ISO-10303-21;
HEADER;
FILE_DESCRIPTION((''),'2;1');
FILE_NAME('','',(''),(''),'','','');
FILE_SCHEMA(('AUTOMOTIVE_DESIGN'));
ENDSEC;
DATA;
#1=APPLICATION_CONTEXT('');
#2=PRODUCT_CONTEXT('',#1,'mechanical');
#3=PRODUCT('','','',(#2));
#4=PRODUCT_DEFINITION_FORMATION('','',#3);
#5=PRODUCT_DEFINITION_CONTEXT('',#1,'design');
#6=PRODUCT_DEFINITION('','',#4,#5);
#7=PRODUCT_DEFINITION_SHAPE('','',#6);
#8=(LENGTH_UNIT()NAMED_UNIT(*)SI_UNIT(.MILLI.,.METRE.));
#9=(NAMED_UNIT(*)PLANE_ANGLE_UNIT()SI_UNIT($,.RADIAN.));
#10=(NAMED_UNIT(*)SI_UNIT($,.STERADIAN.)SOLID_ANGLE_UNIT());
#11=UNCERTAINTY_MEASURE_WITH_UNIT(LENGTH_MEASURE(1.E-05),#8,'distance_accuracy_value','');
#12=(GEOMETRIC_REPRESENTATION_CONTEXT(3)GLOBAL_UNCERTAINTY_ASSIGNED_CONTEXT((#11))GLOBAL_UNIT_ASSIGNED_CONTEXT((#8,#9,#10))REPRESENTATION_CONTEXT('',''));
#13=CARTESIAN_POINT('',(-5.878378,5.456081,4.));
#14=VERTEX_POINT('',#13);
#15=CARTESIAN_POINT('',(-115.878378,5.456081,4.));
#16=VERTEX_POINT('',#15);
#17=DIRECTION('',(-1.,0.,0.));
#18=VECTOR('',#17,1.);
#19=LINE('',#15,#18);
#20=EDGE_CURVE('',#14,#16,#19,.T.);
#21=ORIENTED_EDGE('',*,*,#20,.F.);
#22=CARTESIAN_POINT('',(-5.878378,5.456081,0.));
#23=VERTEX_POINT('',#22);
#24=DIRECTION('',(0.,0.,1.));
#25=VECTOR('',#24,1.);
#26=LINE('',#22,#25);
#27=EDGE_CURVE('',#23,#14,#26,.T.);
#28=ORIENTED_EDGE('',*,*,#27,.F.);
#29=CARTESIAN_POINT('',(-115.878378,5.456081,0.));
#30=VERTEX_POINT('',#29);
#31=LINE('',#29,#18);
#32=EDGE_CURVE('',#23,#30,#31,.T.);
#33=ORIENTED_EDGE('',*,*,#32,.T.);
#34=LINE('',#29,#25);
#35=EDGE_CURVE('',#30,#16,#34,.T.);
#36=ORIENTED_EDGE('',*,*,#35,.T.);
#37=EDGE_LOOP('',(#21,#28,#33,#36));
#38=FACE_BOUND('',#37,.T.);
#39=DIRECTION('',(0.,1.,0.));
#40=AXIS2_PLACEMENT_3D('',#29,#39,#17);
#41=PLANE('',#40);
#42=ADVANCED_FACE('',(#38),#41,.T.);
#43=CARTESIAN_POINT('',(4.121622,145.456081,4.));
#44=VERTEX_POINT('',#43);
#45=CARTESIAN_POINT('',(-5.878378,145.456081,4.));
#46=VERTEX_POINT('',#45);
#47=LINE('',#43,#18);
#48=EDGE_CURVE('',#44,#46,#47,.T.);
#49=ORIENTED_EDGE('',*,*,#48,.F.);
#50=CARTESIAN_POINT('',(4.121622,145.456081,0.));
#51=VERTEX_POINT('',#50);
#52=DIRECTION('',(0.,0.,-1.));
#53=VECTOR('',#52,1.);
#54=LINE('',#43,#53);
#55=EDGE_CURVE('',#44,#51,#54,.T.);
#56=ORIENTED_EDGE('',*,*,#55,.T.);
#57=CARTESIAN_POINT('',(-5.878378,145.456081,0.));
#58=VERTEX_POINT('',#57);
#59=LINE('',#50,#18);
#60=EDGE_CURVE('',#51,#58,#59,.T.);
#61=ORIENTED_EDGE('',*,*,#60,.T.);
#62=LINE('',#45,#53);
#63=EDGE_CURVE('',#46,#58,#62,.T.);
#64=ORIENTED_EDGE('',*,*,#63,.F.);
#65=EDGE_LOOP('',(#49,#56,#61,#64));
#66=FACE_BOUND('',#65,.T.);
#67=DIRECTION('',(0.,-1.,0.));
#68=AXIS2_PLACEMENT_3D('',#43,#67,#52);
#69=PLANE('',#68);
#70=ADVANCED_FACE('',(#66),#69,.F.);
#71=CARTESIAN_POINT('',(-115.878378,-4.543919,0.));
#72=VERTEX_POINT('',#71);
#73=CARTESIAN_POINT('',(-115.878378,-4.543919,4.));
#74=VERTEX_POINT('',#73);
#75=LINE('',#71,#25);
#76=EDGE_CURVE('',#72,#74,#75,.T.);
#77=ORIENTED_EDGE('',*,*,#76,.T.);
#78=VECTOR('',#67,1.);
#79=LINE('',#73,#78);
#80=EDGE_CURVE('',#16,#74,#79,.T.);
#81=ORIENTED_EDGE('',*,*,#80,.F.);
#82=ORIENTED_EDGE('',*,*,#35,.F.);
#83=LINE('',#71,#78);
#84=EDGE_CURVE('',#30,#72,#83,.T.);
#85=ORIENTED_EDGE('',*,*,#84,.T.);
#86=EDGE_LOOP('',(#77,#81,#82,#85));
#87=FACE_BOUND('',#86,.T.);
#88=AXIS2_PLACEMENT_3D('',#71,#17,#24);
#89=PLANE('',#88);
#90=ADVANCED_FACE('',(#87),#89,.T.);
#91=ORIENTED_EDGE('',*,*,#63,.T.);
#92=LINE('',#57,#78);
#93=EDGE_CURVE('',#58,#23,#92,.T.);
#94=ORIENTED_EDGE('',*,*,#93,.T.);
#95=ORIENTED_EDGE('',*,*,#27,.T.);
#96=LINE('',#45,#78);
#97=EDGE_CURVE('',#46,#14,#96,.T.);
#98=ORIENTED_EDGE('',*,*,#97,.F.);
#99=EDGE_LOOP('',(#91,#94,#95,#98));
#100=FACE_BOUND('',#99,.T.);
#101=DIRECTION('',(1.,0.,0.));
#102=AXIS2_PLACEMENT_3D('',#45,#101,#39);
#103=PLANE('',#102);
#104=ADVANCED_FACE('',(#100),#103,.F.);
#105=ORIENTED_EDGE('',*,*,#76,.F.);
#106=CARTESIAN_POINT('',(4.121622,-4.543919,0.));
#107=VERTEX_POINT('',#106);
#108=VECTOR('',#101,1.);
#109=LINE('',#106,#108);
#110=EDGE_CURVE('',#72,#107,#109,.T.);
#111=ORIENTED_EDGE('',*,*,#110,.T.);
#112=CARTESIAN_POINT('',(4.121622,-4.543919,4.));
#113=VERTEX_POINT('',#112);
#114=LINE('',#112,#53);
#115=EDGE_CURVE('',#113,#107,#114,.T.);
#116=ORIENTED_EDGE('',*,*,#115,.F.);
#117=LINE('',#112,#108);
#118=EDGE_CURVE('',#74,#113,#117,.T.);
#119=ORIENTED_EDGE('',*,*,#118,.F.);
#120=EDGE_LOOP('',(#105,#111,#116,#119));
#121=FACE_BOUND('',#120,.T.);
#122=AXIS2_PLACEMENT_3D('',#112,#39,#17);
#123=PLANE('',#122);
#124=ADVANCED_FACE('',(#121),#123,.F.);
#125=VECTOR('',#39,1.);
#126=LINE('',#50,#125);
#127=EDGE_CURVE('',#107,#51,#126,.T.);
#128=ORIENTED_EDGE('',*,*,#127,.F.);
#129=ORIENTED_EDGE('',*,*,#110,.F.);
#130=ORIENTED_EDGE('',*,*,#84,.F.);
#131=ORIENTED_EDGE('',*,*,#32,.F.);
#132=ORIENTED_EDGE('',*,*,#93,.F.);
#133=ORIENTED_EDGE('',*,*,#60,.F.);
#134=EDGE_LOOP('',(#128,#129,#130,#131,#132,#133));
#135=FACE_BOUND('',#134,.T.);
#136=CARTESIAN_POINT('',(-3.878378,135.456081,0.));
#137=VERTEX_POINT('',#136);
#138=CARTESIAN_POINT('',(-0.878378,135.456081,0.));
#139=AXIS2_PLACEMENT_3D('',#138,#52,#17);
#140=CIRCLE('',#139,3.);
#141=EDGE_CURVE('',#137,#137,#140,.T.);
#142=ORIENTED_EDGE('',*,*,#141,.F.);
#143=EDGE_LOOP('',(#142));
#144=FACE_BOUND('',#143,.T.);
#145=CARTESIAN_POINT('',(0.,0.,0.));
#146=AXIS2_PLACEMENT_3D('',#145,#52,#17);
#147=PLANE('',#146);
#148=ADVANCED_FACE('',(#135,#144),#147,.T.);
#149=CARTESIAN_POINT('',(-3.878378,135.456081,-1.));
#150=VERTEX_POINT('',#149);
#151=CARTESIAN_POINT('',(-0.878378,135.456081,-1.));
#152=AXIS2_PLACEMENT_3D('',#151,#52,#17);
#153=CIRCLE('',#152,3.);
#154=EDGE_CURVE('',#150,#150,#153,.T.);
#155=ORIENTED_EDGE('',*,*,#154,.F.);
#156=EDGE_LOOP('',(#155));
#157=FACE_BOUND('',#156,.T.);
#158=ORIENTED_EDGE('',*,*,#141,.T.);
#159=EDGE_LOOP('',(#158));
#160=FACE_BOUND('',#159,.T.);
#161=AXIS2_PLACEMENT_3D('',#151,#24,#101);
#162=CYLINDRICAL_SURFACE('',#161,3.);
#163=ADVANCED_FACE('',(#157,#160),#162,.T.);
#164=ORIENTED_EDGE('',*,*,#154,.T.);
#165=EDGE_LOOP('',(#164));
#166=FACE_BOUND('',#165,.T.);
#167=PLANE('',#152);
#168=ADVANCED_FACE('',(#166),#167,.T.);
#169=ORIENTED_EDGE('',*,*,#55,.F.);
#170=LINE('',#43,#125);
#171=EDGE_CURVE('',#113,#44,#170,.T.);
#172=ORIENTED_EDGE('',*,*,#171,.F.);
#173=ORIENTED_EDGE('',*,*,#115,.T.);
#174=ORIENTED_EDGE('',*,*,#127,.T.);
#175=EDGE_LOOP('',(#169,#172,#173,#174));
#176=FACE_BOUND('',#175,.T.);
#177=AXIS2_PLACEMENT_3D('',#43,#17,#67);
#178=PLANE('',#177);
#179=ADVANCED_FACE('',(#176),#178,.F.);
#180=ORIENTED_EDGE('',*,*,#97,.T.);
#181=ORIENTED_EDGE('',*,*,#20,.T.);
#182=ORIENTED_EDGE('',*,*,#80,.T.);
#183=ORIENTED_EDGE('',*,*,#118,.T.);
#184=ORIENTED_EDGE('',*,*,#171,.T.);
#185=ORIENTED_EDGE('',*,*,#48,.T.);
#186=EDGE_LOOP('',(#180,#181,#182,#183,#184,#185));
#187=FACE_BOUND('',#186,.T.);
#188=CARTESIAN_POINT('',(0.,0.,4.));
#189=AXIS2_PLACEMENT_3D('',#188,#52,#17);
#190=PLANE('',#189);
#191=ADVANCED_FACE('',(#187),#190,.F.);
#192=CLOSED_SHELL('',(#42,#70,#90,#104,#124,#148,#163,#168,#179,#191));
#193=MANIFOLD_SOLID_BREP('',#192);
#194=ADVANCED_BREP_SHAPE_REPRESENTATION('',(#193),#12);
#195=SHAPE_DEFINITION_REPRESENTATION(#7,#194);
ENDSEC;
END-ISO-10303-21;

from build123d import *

# Parameters (mm, degrees)
SKETCH_1_W      = 10
SKETCH_1_H      = 150
EXTRUDE_1_DEPTH = 4
SKETCH_2_W      = 110
SKETCH_2_H      = 10
EXTRUDE_2_DEPTH = 4
SKETCH_3_R      = 3
EXTRUDE_3_DEPTH = 1


with BuildPart() as part:
    # 草图1 → 凸台-拉伸1 (new body)
    with BuildSketch(Plane.XY):
        with Locations((-0.878378378, 70.456081081)):
            Rectangle(SKETCH_1_W, SKETCH_1_H)
    extrude(amount=EXTRUDE_1_DEPTH)

    # 草图2 → 凸台-拉伸2 (add)
    with BuildSketch(Plane.XY.offset(4)):
        with Locations((-60.878378378, 0.456081081)):
            Rectangle(SKETCH_2_W, SKETCH_2_H)
    extrude(amount=-EXTRUDE_2_DEPTH)

    # 草图3 → 凸台-拉伸3 (add)
    with BuildSketch(Plane(origin=(0, 0, 0), x_dir=(-1, 0, 0), z_dir=(0, 0, -1))):
        with Locations((0.878378378, 135.456081081)):
            Circle(SKETCH_3_R)
    extrude(amount=EXTRUDE_3_DEPTH)


solid = part.part
